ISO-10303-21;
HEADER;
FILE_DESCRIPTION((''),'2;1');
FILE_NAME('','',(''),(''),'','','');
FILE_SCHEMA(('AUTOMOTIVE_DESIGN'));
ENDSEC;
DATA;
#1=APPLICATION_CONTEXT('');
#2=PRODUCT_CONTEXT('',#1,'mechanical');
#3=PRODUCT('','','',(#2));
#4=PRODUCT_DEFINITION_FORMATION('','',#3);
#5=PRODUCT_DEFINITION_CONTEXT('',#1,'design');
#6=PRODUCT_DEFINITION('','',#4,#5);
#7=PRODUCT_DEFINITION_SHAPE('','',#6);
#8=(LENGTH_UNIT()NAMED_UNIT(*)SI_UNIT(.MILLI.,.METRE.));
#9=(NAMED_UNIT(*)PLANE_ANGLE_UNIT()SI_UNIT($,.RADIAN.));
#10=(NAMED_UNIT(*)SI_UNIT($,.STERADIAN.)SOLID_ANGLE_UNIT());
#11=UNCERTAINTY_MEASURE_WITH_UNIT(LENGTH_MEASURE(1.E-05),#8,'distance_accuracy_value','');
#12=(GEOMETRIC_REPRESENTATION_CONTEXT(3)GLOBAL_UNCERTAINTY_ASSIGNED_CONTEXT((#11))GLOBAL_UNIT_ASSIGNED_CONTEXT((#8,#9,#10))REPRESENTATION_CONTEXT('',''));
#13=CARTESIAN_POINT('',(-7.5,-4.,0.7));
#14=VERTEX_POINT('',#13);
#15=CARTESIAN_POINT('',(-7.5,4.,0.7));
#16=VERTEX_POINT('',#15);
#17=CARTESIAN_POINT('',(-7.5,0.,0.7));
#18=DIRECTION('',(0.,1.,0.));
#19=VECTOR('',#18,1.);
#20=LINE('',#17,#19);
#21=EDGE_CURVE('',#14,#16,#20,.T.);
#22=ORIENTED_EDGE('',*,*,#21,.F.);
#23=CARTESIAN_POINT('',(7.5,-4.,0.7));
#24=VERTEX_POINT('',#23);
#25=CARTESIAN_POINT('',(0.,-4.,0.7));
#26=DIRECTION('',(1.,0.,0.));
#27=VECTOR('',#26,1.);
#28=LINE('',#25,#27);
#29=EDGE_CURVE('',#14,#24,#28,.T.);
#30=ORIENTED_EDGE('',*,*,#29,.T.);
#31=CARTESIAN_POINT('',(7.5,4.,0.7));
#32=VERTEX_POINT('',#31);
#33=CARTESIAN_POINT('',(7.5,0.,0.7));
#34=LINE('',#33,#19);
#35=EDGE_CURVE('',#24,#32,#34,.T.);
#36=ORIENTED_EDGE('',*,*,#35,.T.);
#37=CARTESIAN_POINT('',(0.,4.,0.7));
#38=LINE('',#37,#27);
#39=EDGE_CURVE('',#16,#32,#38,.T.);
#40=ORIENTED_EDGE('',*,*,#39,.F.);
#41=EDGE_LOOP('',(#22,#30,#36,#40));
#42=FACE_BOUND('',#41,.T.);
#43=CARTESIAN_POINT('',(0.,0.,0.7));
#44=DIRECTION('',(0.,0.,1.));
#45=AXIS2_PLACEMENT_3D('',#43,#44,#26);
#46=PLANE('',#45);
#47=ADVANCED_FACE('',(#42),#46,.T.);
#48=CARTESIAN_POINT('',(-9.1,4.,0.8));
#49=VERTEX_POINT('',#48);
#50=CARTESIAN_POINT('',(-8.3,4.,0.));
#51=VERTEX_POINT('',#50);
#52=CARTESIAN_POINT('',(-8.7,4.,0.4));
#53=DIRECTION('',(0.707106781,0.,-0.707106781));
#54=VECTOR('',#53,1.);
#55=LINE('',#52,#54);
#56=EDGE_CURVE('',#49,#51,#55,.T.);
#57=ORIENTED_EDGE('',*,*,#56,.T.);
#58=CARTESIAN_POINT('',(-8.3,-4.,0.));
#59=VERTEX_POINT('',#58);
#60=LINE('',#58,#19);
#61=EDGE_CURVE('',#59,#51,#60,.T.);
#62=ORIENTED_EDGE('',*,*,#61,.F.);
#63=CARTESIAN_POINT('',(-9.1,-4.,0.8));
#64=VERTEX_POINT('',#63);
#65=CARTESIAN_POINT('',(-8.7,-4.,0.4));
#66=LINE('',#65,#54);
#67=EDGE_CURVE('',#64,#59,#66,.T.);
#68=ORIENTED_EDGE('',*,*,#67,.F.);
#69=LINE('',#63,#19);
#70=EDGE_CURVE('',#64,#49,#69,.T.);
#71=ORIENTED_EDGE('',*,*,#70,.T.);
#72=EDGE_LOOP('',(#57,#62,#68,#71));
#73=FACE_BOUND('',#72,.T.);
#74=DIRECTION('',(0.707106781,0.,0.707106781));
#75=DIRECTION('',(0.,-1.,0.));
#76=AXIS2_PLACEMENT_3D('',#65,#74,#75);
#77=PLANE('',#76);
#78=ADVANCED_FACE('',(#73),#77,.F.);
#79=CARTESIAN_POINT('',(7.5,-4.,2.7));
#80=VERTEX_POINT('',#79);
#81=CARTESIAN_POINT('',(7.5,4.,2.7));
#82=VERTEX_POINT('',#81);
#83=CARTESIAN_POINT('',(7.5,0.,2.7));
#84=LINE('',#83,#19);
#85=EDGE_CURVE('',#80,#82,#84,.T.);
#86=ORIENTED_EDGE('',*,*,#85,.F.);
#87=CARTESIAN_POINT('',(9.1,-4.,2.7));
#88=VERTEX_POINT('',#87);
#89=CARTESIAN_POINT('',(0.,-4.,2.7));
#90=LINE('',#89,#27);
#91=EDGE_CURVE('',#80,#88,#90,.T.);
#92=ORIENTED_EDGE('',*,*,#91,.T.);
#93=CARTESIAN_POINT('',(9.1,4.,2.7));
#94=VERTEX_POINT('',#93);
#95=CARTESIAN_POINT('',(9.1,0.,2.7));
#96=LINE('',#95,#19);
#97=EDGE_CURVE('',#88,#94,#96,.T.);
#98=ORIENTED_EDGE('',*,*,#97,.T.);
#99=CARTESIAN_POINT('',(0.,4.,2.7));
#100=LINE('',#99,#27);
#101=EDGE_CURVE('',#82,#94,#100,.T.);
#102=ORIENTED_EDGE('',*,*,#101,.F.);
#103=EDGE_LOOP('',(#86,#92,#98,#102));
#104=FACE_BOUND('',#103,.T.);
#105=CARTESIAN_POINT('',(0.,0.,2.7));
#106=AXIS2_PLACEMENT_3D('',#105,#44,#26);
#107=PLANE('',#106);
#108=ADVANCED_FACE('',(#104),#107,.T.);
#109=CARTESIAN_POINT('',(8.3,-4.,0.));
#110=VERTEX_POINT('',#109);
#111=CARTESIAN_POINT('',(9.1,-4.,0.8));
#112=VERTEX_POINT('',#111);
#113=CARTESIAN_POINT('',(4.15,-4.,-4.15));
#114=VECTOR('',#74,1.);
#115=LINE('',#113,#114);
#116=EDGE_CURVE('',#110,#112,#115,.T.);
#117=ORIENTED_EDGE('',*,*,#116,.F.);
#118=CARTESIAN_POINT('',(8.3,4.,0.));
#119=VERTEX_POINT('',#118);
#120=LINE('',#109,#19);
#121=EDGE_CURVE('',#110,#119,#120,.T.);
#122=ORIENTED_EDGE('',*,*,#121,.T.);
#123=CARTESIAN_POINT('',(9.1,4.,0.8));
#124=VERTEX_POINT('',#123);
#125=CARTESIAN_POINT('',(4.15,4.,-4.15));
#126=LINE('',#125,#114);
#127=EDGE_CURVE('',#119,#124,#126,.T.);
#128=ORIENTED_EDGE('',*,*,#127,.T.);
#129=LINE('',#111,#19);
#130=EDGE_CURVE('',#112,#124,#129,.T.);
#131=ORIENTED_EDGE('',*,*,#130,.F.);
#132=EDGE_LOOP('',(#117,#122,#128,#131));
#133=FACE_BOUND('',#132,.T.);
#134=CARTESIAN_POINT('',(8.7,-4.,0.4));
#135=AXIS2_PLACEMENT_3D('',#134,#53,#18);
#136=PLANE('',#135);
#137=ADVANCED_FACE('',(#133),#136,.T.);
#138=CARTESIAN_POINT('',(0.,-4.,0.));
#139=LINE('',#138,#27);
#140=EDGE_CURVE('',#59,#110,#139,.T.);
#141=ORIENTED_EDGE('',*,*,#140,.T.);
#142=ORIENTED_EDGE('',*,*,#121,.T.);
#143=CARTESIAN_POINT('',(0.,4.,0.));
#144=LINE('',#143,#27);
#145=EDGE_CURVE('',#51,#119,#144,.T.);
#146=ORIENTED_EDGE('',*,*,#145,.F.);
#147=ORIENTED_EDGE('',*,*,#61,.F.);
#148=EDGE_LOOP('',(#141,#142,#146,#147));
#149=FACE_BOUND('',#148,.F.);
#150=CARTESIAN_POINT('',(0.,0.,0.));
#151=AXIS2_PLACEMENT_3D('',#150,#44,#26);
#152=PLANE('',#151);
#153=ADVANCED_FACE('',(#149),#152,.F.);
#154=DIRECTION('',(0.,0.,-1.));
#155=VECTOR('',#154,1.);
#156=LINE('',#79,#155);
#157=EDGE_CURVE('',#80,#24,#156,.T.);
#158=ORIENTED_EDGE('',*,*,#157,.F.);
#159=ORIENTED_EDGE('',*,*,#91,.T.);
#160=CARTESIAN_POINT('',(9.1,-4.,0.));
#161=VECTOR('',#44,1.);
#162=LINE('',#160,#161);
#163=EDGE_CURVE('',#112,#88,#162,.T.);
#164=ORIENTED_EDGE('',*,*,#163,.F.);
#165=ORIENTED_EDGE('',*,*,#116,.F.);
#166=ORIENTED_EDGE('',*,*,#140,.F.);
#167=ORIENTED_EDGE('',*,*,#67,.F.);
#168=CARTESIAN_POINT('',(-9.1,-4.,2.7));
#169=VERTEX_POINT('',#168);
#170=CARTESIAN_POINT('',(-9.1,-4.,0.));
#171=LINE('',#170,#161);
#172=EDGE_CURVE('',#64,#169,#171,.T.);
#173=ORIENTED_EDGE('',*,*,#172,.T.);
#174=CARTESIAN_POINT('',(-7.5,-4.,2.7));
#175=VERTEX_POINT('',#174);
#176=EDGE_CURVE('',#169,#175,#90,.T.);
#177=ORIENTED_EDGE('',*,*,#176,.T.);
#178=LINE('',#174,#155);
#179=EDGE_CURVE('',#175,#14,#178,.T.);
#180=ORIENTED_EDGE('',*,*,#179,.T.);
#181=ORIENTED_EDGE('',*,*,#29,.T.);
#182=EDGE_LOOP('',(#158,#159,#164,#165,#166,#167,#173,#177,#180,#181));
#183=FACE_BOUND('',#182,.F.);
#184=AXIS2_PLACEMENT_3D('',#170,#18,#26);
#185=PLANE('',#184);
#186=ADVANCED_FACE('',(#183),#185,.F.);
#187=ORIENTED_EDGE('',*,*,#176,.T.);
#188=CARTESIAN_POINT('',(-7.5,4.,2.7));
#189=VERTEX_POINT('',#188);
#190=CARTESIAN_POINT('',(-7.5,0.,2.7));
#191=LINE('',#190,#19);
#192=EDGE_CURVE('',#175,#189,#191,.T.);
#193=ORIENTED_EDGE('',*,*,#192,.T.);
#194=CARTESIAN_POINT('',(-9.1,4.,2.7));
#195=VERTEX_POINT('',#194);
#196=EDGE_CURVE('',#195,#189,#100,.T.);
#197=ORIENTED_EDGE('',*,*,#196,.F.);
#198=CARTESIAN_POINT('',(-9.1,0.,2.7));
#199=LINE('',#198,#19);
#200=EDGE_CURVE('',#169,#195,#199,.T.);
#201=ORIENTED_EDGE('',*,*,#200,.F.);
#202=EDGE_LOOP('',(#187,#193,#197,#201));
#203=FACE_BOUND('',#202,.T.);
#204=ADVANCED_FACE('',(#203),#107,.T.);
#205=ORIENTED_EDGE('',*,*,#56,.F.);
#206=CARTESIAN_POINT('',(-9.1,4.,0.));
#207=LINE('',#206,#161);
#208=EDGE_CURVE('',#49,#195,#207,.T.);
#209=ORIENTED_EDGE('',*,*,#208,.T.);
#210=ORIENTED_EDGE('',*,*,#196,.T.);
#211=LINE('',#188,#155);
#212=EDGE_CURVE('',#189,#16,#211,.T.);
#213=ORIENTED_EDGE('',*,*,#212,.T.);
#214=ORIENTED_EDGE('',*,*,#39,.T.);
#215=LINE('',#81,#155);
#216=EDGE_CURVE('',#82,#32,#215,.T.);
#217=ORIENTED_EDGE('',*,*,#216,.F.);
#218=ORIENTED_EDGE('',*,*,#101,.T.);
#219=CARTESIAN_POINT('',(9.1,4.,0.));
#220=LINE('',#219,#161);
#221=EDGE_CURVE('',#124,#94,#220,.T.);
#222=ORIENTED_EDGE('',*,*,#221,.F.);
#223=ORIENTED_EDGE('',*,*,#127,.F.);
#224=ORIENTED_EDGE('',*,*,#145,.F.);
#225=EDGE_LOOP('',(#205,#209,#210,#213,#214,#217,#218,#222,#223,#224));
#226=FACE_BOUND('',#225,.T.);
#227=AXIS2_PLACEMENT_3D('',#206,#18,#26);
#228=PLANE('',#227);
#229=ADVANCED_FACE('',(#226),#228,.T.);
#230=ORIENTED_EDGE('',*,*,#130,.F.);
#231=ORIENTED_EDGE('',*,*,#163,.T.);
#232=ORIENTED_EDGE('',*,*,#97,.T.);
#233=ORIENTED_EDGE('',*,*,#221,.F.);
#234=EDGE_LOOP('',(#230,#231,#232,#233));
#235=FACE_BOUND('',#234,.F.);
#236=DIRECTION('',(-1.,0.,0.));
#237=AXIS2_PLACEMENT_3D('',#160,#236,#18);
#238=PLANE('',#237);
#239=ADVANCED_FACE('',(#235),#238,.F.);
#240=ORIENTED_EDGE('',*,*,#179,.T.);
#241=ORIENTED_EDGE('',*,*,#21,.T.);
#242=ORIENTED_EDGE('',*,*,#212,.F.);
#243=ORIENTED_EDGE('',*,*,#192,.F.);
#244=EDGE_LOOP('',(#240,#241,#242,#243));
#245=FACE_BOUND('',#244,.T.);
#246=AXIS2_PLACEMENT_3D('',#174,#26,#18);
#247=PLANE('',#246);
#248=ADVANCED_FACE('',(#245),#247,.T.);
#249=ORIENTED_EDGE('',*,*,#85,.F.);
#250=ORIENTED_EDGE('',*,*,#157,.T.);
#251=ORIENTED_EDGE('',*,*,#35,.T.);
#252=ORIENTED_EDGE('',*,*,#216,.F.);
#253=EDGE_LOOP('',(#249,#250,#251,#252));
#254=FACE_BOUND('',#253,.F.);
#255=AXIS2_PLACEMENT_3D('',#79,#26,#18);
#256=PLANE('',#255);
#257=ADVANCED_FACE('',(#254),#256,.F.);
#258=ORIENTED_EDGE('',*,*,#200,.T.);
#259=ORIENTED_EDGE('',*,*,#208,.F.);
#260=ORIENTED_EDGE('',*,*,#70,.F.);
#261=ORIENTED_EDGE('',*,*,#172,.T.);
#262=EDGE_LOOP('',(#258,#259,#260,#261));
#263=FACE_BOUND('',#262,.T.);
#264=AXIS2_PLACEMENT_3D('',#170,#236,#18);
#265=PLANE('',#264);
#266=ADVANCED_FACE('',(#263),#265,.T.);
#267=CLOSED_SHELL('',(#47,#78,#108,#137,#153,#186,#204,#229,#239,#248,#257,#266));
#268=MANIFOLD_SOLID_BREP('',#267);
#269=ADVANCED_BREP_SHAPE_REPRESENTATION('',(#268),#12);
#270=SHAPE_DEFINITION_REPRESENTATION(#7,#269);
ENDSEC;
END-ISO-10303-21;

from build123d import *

# Parameters (mm, degrees)
F0_W     = 18.2
F0_H     = 8
F1_DEPTH = 2.7
F2_W     = 15
F2_H     = 8
F3_DEPTH = 2
F4_SIZE  = 0.8


with BuildPart() as f1:
    # F0 (on Top) → F1 (new body)
    with BuildSketch(Plane.XY):
        Rectangle(F0_W, F0_H)
    extrude(amount=F1_DEPTH)

    # F2 (on face) → F3 (cut)
    with BuildSketch(Plane.XY.offset(2.7)):
        Rectangle(F2_W, F2_H)
    extrude(amount=-F3_DEPTH, mode=Mode.SUBTRACT)

    # F4
    f4_edges = [f1.edges().sort_by_distance(p)[0] for p in [
        (-9.1, 0, 0),
        (9.1, 0, 0),
    ]]
    chamfer(f4_edges, length=F4_SIZE)


solid = f1.part
